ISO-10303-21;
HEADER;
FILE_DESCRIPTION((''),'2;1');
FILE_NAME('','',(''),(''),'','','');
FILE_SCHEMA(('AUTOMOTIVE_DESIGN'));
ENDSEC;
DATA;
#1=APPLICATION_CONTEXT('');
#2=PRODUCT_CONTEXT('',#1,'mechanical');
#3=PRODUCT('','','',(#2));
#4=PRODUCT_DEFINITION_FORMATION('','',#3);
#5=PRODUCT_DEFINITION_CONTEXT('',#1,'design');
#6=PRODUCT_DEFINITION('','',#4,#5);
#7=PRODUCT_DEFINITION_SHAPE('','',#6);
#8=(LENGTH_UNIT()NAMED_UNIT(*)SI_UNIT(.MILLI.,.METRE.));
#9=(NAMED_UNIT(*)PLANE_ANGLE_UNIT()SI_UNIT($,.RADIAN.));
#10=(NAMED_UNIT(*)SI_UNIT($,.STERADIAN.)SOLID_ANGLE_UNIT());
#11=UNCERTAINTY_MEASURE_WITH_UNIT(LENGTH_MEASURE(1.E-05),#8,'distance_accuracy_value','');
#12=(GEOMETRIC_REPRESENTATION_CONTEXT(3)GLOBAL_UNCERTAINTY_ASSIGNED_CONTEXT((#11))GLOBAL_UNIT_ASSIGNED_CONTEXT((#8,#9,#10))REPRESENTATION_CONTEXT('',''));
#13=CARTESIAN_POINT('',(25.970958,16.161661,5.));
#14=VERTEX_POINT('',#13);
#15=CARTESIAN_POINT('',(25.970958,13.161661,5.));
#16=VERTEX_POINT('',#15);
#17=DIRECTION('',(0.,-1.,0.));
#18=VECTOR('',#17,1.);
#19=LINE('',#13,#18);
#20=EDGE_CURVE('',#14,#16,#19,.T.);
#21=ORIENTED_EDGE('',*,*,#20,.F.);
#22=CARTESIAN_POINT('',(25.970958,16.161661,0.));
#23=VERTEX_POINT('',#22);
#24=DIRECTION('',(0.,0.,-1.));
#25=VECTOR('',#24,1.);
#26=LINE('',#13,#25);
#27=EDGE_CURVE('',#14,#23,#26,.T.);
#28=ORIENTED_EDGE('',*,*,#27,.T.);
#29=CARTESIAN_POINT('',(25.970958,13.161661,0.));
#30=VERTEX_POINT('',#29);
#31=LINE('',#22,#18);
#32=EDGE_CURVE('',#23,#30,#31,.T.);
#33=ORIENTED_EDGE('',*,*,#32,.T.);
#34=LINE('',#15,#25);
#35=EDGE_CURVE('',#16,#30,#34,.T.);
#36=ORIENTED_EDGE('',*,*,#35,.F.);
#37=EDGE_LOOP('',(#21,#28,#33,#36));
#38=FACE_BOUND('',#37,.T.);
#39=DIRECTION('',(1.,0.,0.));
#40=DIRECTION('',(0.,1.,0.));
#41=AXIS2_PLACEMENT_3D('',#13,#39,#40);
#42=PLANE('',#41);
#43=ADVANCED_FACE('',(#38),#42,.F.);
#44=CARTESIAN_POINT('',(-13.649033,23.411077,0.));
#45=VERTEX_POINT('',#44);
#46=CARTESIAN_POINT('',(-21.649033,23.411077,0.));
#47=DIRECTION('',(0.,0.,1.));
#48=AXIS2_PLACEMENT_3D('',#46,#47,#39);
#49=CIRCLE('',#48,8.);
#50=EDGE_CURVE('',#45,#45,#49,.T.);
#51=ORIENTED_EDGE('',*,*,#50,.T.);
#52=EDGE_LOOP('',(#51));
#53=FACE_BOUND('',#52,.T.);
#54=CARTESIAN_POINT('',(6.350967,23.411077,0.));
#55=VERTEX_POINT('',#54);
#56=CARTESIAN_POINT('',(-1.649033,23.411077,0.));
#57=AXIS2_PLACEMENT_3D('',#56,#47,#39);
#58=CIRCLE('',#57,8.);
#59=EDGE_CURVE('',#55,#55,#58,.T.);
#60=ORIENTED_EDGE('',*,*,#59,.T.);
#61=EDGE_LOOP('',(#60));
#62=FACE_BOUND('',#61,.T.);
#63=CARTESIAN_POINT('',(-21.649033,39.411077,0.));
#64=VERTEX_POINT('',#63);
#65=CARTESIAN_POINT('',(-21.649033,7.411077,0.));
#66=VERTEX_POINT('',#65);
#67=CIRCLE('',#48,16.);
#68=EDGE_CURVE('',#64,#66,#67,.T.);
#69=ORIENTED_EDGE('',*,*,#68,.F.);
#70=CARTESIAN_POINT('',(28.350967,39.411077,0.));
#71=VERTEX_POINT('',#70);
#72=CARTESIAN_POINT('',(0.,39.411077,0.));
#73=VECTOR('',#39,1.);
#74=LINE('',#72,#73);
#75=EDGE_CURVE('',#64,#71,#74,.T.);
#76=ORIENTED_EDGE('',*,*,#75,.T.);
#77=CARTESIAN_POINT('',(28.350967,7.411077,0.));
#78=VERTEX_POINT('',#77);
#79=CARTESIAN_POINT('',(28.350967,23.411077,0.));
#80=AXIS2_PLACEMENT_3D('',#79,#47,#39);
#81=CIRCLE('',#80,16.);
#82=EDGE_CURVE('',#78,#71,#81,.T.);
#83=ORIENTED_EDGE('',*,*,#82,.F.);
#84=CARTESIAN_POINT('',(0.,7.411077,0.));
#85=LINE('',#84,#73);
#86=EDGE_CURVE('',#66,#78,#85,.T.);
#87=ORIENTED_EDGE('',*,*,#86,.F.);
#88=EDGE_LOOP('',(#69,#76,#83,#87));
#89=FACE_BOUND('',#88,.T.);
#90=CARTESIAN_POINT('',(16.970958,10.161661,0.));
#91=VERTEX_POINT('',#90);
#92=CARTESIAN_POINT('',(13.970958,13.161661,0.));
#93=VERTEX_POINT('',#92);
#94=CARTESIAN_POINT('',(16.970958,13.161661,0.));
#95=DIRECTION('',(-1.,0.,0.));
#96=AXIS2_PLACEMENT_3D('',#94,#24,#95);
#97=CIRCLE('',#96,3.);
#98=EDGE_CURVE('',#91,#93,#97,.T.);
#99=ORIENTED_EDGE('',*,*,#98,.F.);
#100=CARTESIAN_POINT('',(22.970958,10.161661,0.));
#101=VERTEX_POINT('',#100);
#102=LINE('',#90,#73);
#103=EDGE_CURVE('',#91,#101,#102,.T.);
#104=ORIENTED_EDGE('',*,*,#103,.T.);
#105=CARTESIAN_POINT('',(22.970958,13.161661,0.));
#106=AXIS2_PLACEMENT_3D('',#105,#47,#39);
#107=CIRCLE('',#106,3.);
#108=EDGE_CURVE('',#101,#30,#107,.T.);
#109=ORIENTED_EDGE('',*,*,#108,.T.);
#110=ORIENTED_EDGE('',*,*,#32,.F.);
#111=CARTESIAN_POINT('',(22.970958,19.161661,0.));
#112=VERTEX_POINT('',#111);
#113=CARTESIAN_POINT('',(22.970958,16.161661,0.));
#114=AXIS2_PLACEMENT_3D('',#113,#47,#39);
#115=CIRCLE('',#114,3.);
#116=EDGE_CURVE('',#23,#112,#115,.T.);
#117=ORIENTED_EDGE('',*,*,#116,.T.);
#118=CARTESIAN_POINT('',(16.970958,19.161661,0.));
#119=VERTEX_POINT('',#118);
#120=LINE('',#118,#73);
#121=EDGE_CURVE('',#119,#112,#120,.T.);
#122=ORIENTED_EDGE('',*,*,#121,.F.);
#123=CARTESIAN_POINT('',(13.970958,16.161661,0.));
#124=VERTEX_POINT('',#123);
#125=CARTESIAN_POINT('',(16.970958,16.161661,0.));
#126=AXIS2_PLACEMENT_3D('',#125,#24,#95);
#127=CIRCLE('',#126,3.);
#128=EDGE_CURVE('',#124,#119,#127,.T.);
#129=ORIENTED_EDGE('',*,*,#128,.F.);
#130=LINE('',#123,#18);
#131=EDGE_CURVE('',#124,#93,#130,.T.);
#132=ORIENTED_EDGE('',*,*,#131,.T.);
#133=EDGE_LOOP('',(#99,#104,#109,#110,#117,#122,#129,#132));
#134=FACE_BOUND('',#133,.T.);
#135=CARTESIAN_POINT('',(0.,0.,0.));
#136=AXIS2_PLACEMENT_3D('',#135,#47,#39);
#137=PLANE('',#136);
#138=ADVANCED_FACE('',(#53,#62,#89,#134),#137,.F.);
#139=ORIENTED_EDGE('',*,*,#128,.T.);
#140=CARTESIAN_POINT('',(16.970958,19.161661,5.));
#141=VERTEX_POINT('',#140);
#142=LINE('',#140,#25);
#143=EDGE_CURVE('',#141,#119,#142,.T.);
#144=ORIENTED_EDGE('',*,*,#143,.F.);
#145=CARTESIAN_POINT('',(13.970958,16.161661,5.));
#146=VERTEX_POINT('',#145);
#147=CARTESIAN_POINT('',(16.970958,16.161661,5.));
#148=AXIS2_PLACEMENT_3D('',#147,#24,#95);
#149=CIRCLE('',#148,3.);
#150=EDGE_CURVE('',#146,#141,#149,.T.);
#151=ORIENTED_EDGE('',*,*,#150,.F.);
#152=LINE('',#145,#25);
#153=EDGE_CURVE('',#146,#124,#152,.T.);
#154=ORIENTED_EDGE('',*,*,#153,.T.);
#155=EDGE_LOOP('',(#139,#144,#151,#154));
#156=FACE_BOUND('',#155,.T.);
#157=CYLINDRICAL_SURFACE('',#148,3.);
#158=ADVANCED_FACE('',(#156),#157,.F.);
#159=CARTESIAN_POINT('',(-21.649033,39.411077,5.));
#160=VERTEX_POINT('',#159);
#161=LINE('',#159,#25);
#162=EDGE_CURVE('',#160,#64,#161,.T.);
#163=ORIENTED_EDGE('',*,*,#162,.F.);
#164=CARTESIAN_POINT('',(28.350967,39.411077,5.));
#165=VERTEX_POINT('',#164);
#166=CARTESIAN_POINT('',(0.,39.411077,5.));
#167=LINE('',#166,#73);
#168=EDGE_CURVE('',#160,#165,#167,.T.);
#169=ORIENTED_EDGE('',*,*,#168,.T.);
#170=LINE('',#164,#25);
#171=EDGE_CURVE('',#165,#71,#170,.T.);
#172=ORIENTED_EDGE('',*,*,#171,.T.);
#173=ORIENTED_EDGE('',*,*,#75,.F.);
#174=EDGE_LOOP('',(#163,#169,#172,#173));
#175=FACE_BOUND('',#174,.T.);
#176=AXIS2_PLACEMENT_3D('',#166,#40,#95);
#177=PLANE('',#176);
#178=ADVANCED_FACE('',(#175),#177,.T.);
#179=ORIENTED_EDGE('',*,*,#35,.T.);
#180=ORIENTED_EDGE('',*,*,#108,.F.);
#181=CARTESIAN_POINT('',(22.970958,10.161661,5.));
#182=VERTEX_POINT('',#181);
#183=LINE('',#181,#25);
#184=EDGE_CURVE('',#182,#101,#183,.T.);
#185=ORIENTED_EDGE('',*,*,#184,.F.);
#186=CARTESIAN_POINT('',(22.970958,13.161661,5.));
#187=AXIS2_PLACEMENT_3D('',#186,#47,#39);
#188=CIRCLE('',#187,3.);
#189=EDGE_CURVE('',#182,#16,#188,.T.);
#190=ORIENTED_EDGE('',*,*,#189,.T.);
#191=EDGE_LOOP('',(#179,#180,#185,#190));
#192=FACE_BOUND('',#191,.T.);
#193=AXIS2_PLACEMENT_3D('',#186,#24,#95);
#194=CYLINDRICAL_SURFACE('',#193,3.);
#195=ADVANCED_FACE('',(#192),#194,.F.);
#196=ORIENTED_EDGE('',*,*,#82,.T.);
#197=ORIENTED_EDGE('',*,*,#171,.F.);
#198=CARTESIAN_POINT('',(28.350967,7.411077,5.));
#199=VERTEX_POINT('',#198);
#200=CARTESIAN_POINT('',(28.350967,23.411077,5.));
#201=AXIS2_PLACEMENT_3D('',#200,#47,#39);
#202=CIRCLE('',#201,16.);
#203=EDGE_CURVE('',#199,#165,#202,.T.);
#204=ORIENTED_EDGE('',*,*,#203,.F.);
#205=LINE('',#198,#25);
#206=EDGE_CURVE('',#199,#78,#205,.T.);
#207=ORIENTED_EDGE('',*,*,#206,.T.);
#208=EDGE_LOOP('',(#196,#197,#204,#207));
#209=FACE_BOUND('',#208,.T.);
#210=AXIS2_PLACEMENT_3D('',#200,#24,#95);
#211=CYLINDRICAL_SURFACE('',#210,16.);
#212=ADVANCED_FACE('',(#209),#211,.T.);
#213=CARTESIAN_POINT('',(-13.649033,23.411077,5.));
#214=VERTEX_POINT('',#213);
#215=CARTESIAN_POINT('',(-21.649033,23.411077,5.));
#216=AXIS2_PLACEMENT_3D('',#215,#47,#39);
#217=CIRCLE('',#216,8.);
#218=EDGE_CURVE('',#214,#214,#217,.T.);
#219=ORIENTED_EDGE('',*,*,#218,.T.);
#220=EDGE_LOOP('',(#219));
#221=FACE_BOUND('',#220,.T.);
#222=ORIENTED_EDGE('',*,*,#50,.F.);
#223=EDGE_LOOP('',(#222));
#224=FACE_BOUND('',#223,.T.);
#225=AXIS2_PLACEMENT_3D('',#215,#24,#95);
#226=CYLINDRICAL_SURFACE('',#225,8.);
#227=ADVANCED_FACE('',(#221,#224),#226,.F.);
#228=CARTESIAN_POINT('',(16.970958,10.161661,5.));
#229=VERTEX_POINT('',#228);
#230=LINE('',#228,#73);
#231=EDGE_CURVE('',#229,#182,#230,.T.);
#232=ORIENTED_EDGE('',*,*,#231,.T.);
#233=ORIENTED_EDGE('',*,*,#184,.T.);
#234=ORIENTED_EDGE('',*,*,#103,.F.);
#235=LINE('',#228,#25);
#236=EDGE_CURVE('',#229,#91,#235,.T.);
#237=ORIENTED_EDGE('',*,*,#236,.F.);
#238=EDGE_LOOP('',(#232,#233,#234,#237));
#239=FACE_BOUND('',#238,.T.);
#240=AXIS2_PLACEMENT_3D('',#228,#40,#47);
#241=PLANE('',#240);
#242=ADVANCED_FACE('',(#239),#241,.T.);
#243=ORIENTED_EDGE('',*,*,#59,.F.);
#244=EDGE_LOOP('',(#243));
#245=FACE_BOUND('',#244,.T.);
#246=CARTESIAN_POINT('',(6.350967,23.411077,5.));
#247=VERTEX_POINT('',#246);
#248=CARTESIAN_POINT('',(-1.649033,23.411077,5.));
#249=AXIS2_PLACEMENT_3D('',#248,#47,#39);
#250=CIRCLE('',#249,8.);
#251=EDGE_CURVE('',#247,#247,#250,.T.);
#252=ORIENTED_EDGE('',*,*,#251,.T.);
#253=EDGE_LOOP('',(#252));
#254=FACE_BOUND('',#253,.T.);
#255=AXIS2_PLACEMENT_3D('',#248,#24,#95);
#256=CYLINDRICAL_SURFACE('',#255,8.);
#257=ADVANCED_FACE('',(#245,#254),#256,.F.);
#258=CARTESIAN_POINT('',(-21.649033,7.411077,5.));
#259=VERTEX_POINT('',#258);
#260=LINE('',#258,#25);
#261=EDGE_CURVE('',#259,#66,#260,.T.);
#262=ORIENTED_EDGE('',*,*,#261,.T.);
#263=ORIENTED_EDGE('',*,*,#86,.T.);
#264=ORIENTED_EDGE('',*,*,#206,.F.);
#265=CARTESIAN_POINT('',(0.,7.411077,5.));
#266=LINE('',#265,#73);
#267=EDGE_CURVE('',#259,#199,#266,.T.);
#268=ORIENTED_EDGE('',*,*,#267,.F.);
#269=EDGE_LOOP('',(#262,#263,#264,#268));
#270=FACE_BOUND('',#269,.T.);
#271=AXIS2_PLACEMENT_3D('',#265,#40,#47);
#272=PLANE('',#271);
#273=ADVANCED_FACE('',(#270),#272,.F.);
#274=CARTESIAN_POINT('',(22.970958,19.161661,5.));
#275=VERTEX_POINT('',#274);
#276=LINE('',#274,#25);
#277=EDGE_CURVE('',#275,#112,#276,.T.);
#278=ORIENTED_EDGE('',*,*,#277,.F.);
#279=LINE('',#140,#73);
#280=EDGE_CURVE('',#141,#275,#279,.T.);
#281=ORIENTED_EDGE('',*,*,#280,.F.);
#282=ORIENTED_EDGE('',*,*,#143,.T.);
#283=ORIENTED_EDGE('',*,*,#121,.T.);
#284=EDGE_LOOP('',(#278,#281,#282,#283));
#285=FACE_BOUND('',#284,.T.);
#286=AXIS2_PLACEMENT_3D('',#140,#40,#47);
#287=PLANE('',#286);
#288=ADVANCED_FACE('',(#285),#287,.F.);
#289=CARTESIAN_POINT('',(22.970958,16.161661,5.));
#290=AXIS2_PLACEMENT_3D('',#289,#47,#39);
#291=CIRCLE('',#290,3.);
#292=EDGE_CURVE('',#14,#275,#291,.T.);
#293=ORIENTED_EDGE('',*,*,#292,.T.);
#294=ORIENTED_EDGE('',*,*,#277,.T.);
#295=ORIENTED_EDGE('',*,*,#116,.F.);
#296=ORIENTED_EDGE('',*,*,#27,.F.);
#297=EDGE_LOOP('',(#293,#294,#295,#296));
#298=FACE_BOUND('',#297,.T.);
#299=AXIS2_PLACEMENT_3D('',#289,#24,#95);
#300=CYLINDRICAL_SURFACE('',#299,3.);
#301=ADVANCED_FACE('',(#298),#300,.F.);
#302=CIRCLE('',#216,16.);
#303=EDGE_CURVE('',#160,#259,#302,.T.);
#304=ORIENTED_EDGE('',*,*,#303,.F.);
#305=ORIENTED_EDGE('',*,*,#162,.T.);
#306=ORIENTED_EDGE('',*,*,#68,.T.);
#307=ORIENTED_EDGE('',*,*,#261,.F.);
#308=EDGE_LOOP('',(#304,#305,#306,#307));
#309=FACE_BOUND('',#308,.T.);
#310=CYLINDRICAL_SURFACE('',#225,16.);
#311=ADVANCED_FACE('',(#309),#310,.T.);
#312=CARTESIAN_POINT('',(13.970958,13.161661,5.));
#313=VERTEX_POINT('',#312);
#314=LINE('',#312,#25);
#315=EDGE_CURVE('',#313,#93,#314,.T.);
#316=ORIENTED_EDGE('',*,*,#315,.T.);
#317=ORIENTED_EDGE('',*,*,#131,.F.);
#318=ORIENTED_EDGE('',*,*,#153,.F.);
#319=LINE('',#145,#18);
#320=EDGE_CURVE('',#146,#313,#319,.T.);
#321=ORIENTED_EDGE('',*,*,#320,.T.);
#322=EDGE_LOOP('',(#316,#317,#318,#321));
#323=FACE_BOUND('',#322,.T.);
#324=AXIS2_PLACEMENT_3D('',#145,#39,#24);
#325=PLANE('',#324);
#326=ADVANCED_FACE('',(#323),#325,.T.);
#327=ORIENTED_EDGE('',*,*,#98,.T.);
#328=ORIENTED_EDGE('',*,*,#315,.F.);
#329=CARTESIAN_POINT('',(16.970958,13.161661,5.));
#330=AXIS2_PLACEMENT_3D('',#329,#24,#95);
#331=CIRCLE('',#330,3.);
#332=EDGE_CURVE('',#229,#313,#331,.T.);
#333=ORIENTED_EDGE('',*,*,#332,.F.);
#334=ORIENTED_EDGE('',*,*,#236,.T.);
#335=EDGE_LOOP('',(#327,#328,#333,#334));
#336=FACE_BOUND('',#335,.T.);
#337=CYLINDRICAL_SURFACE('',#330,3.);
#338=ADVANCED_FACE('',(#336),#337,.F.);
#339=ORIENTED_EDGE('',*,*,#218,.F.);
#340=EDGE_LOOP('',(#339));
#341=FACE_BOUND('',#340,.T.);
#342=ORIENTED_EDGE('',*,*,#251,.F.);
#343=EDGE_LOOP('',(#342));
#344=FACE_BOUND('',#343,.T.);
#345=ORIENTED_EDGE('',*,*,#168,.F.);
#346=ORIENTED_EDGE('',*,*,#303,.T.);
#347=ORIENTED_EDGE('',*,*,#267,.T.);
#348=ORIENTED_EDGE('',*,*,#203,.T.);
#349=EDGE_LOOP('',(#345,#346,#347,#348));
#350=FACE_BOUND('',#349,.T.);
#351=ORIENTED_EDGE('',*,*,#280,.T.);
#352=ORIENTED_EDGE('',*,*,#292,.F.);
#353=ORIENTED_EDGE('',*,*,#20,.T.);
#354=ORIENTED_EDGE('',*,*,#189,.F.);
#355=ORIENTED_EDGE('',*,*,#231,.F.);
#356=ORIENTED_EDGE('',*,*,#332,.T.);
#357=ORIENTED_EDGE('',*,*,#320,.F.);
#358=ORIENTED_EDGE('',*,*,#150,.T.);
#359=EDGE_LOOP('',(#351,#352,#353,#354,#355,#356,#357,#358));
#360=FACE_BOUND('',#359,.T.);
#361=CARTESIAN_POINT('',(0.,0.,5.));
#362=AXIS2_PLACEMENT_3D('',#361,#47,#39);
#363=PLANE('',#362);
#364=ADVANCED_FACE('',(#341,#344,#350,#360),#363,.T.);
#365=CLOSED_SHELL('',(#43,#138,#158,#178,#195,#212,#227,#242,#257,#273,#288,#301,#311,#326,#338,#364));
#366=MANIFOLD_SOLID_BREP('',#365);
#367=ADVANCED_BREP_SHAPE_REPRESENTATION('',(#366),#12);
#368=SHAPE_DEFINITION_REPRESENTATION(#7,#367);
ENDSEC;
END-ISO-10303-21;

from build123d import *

# Parameters (mm, degrees)
SKETCH_1_R      = 8
EXTRUDE_1_DEPTH = 5


with BuildPart() as part:
    # 草图1 → 凸台-拉伸1 (new body)
    with BuildSketch(Plane.XY):
        with BuildLine():
            ThreePointArc((-21.649032952, 39.411076993), (-37.649032952, 23.411076993), (-21.649032952, 7.411076993))
            Line((-21.649032952, 7.411076993), (28.350967048, 7.411076993))
            ThreePointArc((28.350967048, 7.411076993), (44.350967048, 23.411076993), (28.350967048, 39.411076993))
            Line((28.350967048, 39.411076993), (-21.649032952, 39.411076993))
        make_face()
        with Locations((-21.649032952, 23.411076993)):
            Circle(SKETCH_1_R, mode=Mode.SUBTRACT)
        with Locations((-1.649032952, 23.411076993)):
            Circle(SKETCH_1_R, mode=Mode.SUBTRACT)
        with BuildLine():
            ThreePointArc((16.970957649, 10.16166095), (14.849637306, 11.040340606), (13.970957649, 13.16166095))
            Line((13.970957649, 13.16166095), (13.970957649, 16.16166095))
            ThreePointArc((13.970957649, 16.16166095), (14.849637306, 18.282981293), (16.970957649, 19.16166095))
            Line((16.970957649, 19.16166095), (22.970957649, 19.16166095))
            ThreePointArc((22.970957649, 19.16166095), (25.092277993, 18.282981293), (25.970957649, 16.16166095))
            Line((25.970957649, 16.16166095), (25.970957649, 13.16166095))
            ThreePointArc((25.970957649, 13.16166095), (25.092277993, 11.040340606), (22.970957649, 10.16166095))
            Line((22.970957649, 10.16166095), (16.970957649, 10.16166095))
        make_face(mode=Mode.SUBTRACT)
    extrude(amount=EXTRUDE_1_DEPTH)


solid = part.part
